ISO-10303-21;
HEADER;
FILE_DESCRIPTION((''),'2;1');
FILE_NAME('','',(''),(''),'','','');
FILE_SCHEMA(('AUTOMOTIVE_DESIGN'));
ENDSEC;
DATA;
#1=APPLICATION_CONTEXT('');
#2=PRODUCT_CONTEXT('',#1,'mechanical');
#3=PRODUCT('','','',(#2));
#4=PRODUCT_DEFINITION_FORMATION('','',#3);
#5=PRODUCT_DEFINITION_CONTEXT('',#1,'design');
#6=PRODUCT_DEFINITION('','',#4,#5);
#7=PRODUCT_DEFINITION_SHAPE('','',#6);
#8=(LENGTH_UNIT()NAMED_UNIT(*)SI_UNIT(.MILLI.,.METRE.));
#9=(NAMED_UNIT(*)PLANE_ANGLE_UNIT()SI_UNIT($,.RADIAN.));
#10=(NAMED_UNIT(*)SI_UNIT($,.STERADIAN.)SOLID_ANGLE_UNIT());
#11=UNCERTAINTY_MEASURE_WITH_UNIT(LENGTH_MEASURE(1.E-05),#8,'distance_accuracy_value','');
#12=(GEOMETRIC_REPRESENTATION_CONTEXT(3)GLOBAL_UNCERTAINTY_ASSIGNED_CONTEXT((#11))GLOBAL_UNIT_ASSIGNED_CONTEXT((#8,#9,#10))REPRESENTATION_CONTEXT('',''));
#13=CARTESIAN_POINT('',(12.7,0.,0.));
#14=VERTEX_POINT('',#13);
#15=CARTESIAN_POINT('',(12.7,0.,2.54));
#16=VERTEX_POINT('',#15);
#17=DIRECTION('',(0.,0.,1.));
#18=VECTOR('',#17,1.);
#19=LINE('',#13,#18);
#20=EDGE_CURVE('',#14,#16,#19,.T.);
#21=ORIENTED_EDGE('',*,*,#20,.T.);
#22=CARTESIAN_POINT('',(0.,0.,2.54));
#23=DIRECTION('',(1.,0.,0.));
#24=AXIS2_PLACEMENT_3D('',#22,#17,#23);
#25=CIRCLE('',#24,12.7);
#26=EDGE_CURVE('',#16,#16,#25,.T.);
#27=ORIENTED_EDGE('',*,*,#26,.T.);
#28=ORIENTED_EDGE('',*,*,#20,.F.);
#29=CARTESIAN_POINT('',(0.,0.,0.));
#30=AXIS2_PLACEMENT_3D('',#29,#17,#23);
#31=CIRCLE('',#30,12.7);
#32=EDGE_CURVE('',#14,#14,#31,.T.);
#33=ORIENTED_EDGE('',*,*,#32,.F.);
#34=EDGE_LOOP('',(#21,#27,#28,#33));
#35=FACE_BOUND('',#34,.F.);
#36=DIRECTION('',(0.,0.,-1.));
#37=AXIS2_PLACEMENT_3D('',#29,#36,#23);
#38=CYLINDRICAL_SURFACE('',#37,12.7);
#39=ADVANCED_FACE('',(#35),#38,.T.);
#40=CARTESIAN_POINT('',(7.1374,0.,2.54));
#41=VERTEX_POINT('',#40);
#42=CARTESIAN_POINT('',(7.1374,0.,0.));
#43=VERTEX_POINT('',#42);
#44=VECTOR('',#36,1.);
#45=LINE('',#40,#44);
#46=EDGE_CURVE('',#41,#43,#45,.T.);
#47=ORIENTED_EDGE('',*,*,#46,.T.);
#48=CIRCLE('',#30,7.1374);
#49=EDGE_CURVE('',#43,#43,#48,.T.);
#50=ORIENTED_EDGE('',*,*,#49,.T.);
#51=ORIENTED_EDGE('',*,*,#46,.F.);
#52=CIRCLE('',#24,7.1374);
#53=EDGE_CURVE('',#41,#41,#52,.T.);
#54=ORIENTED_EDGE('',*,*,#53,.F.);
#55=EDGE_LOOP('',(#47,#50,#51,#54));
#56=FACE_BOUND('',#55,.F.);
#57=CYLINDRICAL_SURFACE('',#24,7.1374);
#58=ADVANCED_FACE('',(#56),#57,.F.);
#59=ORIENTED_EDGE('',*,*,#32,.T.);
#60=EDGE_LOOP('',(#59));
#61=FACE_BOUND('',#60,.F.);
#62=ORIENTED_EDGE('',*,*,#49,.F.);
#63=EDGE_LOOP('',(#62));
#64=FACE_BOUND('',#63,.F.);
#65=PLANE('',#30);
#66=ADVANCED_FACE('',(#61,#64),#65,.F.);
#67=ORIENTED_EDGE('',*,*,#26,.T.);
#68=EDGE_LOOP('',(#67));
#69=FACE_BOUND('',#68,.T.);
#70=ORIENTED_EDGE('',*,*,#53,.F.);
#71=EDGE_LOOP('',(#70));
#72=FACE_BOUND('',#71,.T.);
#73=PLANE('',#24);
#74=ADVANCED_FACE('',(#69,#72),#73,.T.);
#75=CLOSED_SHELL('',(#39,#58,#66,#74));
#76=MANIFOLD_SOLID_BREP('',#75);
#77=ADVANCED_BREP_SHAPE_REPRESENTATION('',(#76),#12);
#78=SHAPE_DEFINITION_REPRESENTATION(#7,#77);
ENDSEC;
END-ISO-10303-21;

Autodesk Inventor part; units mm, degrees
ref_plane "YZ Plane" through (0, 0, 0) normal (1, 0, 0) x (0, 1, 0)
ref_plane "XZ Plane" through (0, 0, 0) normal (0, 1, 0) x (-1, 0, 0)
ref_plane "XY Plane" through (0, 0, 0) normal (0, 0, 1) x (1, 0, 0)
sketch "Sketch1" plane through (0, 0, 0) normal (0, 0, 1) x (1, 0, 0)
  circle A0 centre (0, 0) radius 12.7
  dimension "d0" = 25.4
extrude "Extrusion1" add sketch "Sketch1" along normal blind 2.54
sketch "Sketch2" plane through (0, 0, 2.54) normal (0, 0, 1) x (1, 0, 0)
  circle A0 centre (0, 0) radius 7.1374
  dimension "d3" = 14.2748
extrude "Extrusion2" cut sketch "Sketch2" against normal blind 22.225
properties part number "Tower shaft collar bearing"
